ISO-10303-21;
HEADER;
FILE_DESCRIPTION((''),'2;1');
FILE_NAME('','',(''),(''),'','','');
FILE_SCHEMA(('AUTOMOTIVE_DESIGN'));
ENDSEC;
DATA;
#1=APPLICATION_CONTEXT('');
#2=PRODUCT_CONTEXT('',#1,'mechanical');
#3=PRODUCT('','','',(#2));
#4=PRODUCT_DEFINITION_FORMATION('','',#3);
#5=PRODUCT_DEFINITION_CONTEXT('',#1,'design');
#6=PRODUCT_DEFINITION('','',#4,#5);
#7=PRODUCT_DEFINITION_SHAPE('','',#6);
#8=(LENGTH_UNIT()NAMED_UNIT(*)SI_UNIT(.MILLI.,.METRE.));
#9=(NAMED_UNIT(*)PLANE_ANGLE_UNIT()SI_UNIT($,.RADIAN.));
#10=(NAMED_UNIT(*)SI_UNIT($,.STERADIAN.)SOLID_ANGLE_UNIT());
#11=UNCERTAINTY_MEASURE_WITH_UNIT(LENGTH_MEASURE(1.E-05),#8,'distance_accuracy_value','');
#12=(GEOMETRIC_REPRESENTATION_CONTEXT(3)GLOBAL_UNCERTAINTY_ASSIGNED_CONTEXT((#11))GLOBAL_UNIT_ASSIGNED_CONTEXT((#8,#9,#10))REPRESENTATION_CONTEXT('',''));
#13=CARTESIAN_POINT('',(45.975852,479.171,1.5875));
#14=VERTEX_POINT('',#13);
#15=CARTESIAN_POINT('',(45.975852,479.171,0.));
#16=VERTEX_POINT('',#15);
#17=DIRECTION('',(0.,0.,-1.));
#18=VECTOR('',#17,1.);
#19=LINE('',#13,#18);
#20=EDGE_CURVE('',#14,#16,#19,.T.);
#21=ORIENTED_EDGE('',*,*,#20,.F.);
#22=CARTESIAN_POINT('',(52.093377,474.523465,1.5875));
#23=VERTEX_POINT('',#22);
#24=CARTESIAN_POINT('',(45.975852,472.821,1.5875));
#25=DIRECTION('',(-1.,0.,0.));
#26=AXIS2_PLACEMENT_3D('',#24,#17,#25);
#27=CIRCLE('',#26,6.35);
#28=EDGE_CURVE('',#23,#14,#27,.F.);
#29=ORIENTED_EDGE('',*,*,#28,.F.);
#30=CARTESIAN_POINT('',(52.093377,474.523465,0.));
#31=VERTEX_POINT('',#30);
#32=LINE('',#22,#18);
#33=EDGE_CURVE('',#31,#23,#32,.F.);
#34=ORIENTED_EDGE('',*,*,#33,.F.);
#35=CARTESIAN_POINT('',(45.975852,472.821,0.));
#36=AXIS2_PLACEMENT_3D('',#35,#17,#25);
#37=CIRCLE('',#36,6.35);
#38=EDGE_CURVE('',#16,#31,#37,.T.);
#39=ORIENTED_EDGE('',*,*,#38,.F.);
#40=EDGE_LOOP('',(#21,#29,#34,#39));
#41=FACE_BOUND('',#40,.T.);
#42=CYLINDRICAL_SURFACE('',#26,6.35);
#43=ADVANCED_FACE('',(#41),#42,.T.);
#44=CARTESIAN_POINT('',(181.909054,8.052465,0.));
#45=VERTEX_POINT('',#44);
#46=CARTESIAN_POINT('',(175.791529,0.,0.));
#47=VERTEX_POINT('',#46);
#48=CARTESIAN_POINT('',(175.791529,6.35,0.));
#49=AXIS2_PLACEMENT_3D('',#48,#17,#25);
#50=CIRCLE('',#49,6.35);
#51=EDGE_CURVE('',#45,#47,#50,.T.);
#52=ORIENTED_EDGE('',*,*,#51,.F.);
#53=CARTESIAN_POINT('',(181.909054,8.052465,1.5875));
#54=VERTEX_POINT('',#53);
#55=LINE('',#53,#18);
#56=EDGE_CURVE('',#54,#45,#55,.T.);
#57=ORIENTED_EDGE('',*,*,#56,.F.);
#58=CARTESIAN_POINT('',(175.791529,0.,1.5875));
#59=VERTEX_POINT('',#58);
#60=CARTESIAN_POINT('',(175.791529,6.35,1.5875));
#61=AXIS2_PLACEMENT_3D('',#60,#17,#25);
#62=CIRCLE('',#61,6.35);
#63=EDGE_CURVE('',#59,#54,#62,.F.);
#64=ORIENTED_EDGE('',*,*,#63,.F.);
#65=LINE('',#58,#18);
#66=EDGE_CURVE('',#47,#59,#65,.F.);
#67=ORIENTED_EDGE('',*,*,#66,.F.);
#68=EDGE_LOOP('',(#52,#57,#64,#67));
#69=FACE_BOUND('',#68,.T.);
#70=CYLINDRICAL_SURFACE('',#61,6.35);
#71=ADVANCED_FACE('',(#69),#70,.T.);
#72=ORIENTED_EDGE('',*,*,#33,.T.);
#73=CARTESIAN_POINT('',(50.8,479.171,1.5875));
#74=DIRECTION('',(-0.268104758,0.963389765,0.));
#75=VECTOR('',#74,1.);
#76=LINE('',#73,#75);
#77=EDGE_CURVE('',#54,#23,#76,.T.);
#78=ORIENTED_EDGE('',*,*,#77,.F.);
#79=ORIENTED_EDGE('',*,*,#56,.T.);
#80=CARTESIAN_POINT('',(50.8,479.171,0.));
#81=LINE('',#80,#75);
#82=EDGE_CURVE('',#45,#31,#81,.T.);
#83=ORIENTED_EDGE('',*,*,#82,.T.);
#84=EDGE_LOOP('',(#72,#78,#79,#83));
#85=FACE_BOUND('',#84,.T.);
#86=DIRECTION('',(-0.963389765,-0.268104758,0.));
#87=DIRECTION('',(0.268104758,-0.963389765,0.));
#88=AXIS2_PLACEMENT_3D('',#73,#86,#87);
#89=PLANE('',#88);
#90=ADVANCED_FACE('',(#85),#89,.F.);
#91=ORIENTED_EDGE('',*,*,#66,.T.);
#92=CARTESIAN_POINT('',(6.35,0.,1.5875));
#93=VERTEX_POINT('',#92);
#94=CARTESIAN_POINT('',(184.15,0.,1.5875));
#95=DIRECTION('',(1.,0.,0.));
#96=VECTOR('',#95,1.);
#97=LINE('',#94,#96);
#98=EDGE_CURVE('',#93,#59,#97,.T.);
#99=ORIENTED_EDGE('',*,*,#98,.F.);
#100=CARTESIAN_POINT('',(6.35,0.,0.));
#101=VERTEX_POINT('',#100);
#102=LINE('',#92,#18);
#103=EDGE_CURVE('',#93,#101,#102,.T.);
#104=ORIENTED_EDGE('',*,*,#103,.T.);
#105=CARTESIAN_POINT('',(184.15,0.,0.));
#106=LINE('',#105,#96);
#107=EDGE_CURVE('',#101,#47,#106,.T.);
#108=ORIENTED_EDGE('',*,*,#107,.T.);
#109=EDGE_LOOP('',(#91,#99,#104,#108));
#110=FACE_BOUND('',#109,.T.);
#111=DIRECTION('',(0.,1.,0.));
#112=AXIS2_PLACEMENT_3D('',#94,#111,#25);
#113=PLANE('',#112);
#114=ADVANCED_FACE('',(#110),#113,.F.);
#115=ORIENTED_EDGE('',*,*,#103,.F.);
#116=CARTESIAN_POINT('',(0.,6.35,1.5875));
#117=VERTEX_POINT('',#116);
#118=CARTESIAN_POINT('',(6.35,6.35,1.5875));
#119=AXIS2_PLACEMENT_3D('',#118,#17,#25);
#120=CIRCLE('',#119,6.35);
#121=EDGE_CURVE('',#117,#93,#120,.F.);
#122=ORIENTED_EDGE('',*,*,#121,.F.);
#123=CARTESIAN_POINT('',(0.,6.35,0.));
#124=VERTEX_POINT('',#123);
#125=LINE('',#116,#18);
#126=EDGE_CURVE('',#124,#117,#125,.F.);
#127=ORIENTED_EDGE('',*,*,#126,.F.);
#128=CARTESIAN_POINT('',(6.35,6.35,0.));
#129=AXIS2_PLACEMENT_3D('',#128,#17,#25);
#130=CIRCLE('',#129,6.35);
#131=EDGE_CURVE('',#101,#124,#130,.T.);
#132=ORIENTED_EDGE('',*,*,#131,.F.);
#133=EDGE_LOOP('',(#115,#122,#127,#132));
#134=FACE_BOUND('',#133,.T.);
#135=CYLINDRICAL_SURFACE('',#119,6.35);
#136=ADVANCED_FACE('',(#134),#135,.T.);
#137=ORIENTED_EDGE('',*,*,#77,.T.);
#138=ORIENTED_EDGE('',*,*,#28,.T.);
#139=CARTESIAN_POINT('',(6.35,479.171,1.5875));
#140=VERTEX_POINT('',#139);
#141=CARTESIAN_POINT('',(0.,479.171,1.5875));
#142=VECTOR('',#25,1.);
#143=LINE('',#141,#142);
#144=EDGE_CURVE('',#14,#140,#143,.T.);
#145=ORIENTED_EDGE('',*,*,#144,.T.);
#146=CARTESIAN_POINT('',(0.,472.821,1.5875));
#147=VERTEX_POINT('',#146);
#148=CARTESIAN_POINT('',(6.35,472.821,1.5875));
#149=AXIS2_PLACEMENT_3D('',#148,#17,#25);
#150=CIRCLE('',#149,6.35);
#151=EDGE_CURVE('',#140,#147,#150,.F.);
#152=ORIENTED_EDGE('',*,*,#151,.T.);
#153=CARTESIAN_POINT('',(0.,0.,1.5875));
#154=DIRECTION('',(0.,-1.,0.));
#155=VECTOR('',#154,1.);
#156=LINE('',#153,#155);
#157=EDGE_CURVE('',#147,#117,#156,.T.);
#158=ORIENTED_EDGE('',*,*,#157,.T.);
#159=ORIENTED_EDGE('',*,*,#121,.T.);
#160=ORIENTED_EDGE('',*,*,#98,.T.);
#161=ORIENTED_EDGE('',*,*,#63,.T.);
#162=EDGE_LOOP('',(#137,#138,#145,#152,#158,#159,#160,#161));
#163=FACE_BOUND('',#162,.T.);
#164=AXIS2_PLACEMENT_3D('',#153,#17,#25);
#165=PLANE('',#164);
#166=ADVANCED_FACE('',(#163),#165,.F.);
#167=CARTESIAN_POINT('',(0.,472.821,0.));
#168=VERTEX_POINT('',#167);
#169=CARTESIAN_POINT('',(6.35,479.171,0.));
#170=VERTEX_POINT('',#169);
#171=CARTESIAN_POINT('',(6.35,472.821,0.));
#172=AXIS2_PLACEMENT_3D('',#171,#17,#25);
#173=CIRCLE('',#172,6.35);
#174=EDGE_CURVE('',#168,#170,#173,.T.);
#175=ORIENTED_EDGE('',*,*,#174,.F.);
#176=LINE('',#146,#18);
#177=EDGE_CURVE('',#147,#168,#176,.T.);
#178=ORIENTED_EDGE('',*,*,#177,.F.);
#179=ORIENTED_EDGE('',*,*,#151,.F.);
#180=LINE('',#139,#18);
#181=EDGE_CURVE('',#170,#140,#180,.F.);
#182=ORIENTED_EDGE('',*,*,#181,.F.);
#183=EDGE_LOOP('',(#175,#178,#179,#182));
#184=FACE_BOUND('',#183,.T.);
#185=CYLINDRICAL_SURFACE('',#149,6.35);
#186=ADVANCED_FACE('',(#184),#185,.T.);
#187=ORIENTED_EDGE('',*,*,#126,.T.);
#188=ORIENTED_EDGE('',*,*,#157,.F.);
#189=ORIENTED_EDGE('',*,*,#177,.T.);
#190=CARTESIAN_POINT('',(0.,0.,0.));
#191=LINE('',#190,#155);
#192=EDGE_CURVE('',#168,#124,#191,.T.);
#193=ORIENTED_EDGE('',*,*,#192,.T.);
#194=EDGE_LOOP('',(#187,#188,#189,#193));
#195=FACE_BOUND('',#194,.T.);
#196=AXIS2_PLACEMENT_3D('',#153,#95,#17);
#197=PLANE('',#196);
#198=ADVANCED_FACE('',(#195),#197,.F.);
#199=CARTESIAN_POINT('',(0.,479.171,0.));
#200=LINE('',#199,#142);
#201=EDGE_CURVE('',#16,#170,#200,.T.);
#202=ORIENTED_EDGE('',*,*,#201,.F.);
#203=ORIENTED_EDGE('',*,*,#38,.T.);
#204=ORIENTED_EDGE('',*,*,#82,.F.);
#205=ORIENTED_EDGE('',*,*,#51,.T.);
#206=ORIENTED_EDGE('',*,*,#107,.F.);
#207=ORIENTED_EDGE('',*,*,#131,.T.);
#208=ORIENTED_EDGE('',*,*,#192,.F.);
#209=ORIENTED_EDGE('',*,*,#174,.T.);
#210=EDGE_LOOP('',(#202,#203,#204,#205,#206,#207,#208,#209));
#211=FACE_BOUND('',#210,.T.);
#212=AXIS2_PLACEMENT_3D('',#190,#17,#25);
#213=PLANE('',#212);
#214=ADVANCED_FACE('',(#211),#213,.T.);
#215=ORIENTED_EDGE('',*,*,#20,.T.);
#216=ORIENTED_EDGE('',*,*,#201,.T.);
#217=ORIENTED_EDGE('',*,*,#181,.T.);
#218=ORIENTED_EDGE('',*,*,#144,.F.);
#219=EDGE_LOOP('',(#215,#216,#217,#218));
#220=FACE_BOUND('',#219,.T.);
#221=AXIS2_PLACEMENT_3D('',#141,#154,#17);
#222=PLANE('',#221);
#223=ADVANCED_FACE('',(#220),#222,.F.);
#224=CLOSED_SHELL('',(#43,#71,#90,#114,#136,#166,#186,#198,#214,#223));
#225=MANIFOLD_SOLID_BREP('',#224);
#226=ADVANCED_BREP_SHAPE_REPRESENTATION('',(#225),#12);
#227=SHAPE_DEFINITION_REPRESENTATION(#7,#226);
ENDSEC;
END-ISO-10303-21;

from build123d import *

# Parameters (mm, degrees)
BOSS_EXTRUDE1_DEPTH = 1.5875
FILLET1_R           = 6.35


with BuildPart() as part:
    # Sketch2 → Boss-Extrude1 (new body)
    with BuildSketch(Plane.XY):
        Polygon((0, 0), (0, 479.171), (50.8, 479.171), (184.15, 0), align=None)
    extrude(amount=BOSS_EXTRUDE1_DEPTH)

    # Fillet1
    fillet1_edges = [part.edges().sort_by_distance(p)[0] for p in [
        (0, 0, 0.79375),
        (0, 479.171, 0.79375),
        (50.8, 479.171, 0.79375),
        (184.15, 0, 0.79375),
    ]]
    fillet(fillet1_edges, radius=FILLET1_R)


solid = part.part
